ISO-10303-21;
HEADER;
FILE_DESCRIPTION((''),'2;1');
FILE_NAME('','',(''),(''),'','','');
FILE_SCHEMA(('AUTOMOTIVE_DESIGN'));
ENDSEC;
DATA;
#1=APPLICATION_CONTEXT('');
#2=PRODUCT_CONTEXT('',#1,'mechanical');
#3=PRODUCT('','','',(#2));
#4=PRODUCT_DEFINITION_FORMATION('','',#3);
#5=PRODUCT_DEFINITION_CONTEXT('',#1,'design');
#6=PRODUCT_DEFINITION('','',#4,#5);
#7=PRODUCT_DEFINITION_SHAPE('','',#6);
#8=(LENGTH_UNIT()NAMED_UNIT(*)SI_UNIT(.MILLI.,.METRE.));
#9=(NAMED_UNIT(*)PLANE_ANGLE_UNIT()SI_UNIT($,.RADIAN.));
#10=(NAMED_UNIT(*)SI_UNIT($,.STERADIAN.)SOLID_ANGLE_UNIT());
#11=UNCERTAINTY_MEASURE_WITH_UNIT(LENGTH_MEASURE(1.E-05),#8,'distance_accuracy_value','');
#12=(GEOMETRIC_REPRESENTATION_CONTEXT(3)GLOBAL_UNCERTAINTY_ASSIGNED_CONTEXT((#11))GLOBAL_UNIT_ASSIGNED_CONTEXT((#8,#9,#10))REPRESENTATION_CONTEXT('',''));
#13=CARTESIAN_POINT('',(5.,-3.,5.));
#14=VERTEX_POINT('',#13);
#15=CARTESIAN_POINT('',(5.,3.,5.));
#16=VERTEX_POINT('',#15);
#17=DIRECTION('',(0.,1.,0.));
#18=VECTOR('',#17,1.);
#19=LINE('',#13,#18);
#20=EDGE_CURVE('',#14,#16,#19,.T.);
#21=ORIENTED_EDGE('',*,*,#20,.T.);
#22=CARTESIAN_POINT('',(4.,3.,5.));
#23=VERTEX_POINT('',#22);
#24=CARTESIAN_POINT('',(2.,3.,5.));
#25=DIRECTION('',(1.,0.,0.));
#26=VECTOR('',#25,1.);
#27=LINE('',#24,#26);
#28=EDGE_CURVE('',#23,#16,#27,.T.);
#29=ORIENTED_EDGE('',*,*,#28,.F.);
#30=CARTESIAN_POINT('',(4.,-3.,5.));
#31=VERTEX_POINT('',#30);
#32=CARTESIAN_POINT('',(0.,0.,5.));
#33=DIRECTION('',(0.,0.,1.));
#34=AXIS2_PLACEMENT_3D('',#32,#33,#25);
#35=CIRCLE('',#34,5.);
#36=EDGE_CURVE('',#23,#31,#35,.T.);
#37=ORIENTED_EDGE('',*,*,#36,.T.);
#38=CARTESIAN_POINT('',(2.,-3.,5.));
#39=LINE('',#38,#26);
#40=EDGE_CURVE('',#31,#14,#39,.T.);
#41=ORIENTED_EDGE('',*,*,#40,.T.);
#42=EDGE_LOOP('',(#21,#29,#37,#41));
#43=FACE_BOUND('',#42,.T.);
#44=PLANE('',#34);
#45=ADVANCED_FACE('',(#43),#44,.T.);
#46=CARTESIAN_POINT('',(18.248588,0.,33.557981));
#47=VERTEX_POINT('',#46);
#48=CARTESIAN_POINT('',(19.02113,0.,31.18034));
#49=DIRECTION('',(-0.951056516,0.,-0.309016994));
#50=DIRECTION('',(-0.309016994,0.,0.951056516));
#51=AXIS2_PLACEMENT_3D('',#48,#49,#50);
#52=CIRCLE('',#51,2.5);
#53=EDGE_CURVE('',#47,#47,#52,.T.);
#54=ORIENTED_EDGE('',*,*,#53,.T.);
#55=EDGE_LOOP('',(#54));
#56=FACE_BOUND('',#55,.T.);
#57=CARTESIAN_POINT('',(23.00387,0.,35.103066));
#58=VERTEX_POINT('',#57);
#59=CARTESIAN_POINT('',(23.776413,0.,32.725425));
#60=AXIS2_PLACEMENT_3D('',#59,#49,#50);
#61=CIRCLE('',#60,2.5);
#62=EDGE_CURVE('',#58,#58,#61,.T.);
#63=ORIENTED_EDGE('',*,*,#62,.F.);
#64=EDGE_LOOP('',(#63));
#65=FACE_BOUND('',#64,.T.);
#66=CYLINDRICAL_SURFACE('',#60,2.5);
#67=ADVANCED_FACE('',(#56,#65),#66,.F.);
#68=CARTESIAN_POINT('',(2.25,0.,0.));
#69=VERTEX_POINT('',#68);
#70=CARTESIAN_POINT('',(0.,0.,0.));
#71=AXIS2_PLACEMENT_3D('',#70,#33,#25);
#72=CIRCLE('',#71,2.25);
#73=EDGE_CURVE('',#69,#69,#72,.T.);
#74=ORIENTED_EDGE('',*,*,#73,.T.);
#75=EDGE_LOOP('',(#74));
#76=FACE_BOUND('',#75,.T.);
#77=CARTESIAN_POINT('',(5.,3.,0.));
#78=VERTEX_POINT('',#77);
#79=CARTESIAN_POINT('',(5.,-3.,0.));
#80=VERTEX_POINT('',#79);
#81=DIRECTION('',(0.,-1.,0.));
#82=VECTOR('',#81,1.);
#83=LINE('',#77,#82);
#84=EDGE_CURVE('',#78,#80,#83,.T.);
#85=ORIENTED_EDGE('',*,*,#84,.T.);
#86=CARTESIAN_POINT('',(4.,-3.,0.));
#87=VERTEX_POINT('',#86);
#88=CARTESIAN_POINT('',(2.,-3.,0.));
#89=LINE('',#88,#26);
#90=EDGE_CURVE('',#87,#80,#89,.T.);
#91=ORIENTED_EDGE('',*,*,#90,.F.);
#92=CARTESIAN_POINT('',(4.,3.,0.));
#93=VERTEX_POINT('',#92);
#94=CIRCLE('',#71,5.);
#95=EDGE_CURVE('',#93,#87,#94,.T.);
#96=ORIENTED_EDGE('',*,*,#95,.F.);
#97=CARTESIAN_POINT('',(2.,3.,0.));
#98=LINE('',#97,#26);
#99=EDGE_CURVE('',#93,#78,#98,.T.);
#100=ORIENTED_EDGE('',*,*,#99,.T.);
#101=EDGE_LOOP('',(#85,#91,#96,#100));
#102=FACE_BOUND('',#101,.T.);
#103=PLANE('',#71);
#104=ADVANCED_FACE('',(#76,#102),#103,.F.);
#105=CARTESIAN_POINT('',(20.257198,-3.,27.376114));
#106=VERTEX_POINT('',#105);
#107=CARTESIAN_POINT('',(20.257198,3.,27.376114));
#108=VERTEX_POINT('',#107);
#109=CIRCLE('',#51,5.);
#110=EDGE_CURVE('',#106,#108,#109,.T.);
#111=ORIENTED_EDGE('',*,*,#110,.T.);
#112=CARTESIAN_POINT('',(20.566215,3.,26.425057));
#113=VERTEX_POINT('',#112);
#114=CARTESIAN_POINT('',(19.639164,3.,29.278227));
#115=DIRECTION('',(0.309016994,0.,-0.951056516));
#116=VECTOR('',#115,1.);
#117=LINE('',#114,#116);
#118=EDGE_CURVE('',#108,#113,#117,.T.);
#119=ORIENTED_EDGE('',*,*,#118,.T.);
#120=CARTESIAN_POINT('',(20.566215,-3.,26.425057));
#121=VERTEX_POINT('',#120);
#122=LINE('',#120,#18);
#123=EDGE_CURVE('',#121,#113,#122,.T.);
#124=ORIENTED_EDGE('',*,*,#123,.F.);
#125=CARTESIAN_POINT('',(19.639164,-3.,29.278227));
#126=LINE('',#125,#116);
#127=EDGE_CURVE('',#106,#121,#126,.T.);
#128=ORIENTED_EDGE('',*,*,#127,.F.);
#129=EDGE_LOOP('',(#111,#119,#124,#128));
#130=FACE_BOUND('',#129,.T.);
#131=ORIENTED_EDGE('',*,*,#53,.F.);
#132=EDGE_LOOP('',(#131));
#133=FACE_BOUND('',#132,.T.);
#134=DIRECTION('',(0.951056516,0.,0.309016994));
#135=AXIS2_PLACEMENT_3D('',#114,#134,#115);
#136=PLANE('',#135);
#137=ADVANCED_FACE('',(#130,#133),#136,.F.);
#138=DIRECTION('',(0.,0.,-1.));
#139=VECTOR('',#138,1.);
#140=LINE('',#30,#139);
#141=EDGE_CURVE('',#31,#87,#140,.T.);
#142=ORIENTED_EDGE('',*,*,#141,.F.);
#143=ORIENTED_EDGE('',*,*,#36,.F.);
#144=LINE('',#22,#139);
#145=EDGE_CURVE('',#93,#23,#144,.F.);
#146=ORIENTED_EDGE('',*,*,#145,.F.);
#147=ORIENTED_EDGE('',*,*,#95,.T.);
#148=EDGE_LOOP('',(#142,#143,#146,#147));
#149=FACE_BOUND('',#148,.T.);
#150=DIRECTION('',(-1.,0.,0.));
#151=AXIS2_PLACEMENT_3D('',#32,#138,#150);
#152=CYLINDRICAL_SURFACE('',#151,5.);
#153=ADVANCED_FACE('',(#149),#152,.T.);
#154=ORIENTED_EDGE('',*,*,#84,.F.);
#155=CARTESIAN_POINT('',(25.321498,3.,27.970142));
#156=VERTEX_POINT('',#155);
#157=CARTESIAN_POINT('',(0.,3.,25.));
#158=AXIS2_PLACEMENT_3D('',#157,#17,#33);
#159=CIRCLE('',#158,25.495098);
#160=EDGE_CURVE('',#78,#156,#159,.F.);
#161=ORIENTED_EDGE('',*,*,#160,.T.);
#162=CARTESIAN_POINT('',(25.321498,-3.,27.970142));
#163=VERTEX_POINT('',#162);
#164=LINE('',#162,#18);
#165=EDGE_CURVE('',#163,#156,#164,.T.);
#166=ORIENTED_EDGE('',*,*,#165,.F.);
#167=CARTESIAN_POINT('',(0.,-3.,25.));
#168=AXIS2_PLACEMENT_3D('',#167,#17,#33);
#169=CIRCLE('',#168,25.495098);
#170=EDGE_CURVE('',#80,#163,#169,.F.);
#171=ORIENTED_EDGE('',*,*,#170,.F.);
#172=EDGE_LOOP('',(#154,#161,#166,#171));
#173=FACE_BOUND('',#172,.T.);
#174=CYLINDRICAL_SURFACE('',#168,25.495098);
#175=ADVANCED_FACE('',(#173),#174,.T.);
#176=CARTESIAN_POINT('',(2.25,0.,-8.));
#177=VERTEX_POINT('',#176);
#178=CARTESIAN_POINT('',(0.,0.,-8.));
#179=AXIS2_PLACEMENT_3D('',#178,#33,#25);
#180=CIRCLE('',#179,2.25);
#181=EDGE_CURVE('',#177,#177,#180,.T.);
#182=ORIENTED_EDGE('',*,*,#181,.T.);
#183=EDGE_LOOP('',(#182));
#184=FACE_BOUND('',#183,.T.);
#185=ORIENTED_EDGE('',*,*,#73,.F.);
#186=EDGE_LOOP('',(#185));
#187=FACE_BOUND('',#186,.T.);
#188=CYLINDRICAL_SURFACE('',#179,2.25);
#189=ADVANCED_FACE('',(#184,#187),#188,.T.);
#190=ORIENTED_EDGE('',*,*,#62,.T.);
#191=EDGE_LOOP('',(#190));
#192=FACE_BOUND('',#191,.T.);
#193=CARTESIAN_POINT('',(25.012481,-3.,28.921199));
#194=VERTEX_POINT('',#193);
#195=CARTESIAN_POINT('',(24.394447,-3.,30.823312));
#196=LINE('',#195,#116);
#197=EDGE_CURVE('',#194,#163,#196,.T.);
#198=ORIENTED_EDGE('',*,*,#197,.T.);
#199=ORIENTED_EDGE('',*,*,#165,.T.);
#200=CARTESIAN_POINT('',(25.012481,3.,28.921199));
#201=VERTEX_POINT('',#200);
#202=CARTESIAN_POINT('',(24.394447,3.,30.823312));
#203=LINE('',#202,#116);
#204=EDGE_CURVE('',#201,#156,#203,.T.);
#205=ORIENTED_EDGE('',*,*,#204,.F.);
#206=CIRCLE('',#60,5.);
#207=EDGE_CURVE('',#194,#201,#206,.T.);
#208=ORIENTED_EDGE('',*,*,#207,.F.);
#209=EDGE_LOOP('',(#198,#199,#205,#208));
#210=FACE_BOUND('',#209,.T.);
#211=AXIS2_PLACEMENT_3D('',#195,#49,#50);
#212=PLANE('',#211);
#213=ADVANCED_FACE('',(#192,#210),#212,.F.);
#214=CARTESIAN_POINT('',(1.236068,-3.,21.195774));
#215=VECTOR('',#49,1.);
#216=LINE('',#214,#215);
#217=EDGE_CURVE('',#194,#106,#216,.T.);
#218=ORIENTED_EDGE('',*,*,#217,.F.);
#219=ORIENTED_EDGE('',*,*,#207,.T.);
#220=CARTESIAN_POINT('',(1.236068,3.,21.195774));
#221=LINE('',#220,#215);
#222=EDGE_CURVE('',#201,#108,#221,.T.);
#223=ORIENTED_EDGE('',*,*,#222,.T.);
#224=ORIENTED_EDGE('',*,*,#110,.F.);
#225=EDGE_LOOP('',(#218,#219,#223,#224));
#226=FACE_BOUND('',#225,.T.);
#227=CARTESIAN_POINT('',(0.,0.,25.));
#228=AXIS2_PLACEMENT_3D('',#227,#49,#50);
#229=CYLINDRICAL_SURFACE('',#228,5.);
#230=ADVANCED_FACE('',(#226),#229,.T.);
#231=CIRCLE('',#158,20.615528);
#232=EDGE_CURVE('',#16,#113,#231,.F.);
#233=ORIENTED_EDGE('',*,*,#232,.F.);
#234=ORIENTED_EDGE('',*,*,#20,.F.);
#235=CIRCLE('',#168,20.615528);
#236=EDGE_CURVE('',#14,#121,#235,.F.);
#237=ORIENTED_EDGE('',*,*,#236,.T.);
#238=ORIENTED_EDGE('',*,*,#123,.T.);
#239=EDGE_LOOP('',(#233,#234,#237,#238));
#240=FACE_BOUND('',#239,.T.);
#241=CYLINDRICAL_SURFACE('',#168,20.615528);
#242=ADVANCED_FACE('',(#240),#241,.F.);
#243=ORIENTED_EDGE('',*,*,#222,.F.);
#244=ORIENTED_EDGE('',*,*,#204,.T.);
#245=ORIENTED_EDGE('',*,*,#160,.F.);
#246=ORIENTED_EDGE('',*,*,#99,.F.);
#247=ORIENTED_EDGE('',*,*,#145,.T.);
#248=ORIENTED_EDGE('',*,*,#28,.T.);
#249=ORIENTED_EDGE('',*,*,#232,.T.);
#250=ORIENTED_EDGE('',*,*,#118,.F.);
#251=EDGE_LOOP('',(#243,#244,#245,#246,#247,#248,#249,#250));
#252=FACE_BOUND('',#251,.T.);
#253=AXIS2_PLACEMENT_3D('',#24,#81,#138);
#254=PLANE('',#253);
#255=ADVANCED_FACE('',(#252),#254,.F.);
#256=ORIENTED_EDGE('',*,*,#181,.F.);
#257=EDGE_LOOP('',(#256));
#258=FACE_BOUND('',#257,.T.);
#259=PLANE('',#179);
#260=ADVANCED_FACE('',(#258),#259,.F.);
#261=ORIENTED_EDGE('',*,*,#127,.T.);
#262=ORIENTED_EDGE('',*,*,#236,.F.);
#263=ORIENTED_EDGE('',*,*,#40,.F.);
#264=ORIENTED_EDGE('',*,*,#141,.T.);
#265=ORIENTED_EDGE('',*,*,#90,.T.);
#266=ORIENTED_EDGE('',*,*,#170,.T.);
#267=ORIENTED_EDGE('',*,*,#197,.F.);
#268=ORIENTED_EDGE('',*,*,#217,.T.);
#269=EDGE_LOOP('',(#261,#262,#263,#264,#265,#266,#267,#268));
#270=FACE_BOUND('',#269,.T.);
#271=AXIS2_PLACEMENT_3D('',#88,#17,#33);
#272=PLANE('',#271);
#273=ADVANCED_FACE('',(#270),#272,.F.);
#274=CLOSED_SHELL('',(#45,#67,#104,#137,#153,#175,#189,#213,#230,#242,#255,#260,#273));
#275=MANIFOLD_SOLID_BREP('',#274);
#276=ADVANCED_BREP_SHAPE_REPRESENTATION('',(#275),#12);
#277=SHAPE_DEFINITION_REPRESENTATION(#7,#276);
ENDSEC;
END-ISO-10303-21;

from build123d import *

# Parameters (mm, degrees)
SKETCH_2_R           = 5
EXTRUDE_3_DEPTH      = 5
EXTRUDE_4_DEPTH      = 3
EXTRUDE_4_DEPTH_BACK = 3
SKETCH_4_W           = 5
SKETCH_4_H           = 6
EXTRUDE_5_DEPTH      = 3
SKETCH_5_W           = 5
SKETCH_5_H           = 6
EXTRUDE_6_DEPTH      = 3
SKETCH_6_R           = 2.5
CUT_EXTRUDE_1_DEPTH  = 5
EXTRUDE_START        = -5
SKETCH_7_R           = 2.25
EXTRUDE_7_DEPTH      = 8


with BuildPart() as part:
    # 草图2 → 凸台-拉伸3 (new body)
    with BuildSketch(Plane.XY):
        Circle(SKETCH_2_R)
    extrude(amount=EXTRUDE_3_DEPTH)



with BuildPart() as body_2:
    # 草图3 → 凸台-拉伸4 (new, two sides: drawn at the far end of the back side and taken through both)
    with BuildSketch(Plane(origin=(0, 0, 0), x_dir=(1, 0, 0), z_dir=(0, 1, 0)).offset(-EXTRUDE_4_DEPTH_BACK)):
        with BuildLine():
            ThreePointArc((5, 0), (20.625967206, -10.014357644), (25.321497879, -27.970142278))
            Line((25.321497879, -27.970142278), (20.566215298, -26.425057306))
            ThreePointArc((20.566215298, -26.425057306), (16.678312604, -12.882496598), (5, -5))
            Line((5, -5), (5, 0))
        make_face()
    extrude(amount=EXTRUDE_4_DEPTH + EXTRUDE_4_DEPTH_BACK)



with BuildPart() as body_3:
    # 草图3<3> → 旋转1 (revolve)
    with BuildSketch(Plane(origin=(0, 0, 0), x_dir=(1, 0, 0), z_dir=(0, 1, 0)), mode=Mode.PRIVATE) as revolve_1_sk:
        Polygon((25.321497879, -27.970142278), (20.566215298, -26.425057306), (19.021130326, -31.180339887), (23.776412907, -32.725424859), align=None)
    revolve(revolve_1_sk.sketch.rotate(Axis((0, 0, 25), (0.9510565162951546, 0, 0.3090169943749442)), 180), axis=Axis((0, 0, 25), (0.9510565162951546, 0, 0.3090169943749442)))


with BuildPart() as body_2_1:
    add(body_2.part)

    add(body_3.part)  # 凸台-拉伸5 merges body 3
    # 草图4 → 凸台-拉伸5 (add)
    with BuildSketch(Plane(origin=(-5.802230682, 0, 17.857429848), x_dir=(0.9510565162951545, 0, 0.309016994374945), z_dir=(-0.309016994374945, 0, 0.9510565162951545))):
        with Locations((30.225424859, 0)):
            Rectangle(SKETCH_4_W, SKETCH_4_H)
    extrude(amount=EXTRUDE_5_DEPTH)


with BuildPart() as part_1:
    add(part.part)

    add(body_2_1.part)  # 凸台-拉伸6 merges body 2
    # 草图5 → 凸台-拉伸6 (add)
    with BuildSketch(Plane.ZY.offset(-5)):
        with Locations((2.5, 0)):
            Rectangle(SKETCH_5_W, SKETCH_5_H)
    extrude(amount=EXTRUDE_6_DEPTH)

    # 草图6 → 切除-拉伸1 (cut)
    with BuildSketch(Plane(origin=(26.36844598, 0, 8.567627458), x_dir=(-0.309016994374945, 0, 0.9510565162951545), z_dir=(-0.9510565162951545, 0, -0.309016994374945))):
        with Locations((23.776412907, 0)):
            Circle(SKETCH_6_R)
    extrude(amount=-CUT_EXTRUDE_1_DEPTH, mode=Mode.SUBTRACT)

    # 草图7 → 凸台-拉伸7 (add)
    with BuildSketch(Plane.XY.offset(5).offset(EXTRUDE_START)):
        Circle(SKETCH_7_R)
    extrude(amount=-EXTRUDE_7_DEPTH)


solid = part_1.part
